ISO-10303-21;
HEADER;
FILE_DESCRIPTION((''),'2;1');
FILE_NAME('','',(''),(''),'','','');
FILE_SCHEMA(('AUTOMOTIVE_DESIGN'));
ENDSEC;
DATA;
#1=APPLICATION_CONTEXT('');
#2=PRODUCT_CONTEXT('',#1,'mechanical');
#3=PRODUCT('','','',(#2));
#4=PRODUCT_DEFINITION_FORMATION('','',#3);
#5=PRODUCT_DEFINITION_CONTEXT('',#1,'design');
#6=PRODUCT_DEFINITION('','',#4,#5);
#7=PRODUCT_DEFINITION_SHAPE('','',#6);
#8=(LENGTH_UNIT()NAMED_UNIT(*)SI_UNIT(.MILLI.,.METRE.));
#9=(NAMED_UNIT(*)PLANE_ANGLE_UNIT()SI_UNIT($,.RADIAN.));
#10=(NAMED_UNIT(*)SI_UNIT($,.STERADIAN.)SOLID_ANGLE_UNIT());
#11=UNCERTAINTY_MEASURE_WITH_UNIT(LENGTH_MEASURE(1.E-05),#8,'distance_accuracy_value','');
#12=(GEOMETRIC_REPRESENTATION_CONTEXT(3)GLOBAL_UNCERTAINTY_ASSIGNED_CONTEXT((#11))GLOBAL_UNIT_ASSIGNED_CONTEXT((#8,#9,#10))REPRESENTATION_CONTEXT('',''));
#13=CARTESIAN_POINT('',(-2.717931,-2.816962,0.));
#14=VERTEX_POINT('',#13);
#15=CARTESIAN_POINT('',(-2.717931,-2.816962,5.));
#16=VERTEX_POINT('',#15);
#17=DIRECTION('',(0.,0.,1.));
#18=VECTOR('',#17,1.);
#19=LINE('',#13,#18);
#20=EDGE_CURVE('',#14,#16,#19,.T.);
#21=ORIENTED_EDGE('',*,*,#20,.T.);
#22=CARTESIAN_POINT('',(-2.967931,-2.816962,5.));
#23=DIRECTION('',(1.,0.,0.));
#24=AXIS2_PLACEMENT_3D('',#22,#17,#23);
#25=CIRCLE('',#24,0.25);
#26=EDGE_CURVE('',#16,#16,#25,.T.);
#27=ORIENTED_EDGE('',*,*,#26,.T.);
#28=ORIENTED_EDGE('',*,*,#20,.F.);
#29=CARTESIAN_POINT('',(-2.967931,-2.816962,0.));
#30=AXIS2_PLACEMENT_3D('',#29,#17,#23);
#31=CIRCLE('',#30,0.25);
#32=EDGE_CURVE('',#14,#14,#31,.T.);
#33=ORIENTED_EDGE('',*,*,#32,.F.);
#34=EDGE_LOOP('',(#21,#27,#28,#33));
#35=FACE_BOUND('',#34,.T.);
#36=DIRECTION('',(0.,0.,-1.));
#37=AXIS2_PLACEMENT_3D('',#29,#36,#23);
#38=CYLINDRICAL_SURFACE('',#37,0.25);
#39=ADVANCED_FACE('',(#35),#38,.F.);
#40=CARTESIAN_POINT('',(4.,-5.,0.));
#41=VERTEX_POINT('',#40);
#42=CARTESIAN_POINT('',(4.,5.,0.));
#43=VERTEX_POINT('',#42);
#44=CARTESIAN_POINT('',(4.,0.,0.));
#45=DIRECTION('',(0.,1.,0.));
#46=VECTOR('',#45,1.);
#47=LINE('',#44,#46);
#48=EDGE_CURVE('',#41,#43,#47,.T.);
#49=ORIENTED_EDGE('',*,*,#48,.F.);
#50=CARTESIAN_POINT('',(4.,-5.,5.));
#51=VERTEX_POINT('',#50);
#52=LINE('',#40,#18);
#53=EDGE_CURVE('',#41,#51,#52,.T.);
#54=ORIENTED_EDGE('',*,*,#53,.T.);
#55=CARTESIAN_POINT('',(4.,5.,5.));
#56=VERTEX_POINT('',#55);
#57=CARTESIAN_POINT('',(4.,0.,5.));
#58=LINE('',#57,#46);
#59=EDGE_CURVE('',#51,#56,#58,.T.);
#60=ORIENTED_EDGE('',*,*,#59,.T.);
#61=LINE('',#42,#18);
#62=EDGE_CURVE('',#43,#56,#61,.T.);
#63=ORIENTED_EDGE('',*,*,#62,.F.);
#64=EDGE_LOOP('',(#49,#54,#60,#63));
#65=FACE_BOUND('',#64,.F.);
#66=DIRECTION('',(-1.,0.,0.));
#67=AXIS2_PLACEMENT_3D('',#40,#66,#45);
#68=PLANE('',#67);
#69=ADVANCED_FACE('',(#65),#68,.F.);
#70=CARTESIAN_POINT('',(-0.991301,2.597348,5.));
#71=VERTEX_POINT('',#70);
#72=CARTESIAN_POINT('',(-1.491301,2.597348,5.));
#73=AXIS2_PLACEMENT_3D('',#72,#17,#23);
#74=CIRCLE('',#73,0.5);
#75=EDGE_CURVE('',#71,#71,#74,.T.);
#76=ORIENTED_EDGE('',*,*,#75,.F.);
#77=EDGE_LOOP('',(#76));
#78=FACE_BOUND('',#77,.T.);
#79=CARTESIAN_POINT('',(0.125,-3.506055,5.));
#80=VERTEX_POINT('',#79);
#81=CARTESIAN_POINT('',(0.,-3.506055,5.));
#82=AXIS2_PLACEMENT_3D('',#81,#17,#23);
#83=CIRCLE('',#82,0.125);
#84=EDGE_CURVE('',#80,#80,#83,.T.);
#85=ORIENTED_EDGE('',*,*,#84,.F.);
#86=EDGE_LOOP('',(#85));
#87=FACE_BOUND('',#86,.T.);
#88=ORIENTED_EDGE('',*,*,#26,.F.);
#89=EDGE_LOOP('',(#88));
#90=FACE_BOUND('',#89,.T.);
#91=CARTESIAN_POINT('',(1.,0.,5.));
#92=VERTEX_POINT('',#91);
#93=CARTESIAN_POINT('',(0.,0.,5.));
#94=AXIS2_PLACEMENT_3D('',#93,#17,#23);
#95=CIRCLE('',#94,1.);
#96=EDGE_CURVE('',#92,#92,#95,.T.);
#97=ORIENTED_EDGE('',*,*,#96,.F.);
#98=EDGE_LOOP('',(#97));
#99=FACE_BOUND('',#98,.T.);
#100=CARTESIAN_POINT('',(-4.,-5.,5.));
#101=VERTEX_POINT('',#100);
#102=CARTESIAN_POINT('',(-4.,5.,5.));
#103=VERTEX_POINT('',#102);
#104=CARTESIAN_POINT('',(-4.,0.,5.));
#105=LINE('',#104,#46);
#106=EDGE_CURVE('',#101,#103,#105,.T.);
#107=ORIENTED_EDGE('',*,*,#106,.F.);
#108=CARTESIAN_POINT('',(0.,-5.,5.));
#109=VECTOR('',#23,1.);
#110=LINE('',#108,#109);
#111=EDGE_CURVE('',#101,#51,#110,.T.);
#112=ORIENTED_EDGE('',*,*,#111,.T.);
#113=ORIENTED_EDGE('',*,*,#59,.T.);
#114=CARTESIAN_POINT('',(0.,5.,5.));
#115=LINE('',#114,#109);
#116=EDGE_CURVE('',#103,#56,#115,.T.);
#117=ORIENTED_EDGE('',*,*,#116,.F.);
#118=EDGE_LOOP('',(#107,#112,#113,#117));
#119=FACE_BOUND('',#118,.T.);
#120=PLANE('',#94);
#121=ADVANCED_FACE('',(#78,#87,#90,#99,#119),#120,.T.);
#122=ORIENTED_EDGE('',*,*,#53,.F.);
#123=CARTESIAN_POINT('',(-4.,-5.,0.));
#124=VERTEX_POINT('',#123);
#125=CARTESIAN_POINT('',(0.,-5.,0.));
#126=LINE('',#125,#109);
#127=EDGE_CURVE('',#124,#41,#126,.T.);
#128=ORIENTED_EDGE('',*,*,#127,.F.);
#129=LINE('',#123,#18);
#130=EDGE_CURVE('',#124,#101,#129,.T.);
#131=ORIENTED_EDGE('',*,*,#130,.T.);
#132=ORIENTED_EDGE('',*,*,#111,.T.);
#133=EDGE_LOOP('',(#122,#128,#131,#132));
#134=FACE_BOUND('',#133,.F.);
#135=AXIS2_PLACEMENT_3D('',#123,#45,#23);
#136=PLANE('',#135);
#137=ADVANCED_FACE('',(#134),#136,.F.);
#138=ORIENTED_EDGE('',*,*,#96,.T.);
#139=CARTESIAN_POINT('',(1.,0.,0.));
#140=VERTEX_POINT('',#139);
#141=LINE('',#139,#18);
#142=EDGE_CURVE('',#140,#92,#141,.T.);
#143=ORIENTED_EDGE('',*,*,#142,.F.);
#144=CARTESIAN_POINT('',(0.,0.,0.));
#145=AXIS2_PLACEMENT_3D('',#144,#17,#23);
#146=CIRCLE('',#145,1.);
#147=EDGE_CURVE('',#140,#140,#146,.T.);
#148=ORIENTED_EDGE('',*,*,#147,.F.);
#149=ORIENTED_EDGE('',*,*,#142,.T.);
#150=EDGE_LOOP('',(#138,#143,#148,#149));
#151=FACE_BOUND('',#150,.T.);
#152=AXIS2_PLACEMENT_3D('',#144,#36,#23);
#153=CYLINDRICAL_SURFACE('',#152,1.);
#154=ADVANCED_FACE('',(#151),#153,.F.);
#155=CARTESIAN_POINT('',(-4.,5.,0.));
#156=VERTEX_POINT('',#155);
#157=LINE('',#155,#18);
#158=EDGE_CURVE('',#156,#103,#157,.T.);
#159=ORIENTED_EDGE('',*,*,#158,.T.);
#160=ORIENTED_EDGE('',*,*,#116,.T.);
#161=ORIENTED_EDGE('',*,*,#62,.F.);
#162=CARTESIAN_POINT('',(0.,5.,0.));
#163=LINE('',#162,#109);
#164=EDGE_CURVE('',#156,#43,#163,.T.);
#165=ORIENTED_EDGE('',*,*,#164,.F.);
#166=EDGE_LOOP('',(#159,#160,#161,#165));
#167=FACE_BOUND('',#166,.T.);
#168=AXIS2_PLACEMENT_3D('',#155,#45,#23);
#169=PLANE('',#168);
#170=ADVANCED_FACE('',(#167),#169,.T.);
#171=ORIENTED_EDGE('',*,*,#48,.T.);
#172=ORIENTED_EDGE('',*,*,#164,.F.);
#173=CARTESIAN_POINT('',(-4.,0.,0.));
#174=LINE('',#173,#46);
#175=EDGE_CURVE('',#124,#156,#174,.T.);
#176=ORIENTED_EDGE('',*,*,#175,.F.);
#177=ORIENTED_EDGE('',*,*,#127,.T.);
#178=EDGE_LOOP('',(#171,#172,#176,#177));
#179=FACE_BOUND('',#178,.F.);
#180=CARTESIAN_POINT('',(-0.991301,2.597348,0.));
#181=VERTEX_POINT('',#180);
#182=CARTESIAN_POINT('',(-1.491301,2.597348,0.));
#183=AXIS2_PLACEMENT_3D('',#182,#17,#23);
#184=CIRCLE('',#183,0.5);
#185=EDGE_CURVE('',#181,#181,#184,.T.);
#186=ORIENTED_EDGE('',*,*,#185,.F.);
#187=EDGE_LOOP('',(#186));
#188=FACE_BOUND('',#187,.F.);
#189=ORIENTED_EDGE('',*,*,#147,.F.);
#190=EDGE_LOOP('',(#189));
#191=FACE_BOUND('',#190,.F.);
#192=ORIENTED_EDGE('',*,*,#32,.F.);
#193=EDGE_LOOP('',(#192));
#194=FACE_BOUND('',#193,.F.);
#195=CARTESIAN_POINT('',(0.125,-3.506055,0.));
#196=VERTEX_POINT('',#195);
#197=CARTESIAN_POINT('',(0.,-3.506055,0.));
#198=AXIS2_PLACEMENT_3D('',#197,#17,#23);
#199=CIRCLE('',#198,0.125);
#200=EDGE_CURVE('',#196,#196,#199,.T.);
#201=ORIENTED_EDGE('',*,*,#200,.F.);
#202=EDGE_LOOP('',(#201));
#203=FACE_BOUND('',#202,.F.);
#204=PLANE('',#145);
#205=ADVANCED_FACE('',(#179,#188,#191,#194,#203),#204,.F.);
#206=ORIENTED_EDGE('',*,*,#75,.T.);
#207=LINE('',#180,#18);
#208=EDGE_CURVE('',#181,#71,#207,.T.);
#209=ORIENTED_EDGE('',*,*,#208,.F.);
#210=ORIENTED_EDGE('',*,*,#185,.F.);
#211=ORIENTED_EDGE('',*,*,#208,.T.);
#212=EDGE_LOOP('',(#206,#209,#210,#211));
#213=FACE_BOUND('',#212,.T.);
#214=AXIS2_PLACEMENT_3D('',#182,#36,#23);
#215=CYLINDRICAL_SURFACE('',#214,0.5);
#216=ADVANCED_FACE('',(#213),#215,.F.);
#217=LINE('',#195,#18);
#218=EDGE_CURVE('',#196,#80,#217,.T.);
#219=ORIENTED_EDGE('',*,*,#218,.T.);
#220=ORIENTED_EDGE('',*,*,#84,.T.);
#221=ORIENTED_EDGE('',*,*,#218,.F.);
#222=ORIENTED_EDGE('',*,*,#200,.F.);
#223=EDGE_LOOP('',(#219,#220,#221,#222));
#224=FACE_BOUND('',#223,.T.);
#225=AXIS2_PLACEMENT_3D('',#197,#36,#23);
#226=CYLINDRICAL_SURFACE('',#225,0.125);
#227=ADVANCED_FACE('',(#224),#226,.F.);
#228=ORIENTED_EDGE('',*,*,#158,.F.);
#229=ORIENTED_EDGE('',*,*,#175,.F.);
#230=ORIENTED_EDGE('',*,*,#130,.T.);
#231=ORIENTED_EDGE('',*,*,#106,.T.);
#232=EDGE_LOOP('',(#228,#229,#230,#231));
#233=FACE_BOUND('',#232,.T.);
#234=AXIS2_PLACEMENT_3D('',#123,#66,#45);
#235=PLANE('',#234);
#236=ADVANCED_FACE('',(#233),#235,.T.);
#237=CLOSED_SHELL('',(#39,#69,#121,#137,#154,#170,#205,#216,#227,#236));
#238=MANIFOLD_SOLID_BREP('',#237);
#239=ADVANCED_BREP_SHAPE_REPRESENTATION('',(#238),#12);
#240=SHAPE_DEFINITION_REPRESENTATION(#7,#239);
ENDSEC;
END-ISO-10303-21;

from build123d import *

# Parameters (mm, degrees)
F0_W     = 8
F0_H     = 10
F0_R     = 0.25
F0_R_2   = 0.125
F0_R_3   = 0.5
F0_R_4   = 1
F1_DEPTH = 5


with BuildPart() as f1:
    # F0 (on Top) → F1 (new body)
    with BuildSketch(Plane.XY):
        Rectangle(F0_W, F0_H)
        with Locations((-2.967931, -2.816962)):
            Circle(F0_R, mode=Mode.SUBTRACT)
        with Locations((0, -3.506055)):
            Circle(F0_R_2, mode=Mode.SUBTRACT)
        with Locations((-1.491301, 2.597348)):
            Circle(F0_R_3, mode=Mode.SUBTRACT)
        Circle(F0_R_4, mode=Mode.SUBTRACT)
    extrude(amount=F1_DEPTH)


solid = f1.part
